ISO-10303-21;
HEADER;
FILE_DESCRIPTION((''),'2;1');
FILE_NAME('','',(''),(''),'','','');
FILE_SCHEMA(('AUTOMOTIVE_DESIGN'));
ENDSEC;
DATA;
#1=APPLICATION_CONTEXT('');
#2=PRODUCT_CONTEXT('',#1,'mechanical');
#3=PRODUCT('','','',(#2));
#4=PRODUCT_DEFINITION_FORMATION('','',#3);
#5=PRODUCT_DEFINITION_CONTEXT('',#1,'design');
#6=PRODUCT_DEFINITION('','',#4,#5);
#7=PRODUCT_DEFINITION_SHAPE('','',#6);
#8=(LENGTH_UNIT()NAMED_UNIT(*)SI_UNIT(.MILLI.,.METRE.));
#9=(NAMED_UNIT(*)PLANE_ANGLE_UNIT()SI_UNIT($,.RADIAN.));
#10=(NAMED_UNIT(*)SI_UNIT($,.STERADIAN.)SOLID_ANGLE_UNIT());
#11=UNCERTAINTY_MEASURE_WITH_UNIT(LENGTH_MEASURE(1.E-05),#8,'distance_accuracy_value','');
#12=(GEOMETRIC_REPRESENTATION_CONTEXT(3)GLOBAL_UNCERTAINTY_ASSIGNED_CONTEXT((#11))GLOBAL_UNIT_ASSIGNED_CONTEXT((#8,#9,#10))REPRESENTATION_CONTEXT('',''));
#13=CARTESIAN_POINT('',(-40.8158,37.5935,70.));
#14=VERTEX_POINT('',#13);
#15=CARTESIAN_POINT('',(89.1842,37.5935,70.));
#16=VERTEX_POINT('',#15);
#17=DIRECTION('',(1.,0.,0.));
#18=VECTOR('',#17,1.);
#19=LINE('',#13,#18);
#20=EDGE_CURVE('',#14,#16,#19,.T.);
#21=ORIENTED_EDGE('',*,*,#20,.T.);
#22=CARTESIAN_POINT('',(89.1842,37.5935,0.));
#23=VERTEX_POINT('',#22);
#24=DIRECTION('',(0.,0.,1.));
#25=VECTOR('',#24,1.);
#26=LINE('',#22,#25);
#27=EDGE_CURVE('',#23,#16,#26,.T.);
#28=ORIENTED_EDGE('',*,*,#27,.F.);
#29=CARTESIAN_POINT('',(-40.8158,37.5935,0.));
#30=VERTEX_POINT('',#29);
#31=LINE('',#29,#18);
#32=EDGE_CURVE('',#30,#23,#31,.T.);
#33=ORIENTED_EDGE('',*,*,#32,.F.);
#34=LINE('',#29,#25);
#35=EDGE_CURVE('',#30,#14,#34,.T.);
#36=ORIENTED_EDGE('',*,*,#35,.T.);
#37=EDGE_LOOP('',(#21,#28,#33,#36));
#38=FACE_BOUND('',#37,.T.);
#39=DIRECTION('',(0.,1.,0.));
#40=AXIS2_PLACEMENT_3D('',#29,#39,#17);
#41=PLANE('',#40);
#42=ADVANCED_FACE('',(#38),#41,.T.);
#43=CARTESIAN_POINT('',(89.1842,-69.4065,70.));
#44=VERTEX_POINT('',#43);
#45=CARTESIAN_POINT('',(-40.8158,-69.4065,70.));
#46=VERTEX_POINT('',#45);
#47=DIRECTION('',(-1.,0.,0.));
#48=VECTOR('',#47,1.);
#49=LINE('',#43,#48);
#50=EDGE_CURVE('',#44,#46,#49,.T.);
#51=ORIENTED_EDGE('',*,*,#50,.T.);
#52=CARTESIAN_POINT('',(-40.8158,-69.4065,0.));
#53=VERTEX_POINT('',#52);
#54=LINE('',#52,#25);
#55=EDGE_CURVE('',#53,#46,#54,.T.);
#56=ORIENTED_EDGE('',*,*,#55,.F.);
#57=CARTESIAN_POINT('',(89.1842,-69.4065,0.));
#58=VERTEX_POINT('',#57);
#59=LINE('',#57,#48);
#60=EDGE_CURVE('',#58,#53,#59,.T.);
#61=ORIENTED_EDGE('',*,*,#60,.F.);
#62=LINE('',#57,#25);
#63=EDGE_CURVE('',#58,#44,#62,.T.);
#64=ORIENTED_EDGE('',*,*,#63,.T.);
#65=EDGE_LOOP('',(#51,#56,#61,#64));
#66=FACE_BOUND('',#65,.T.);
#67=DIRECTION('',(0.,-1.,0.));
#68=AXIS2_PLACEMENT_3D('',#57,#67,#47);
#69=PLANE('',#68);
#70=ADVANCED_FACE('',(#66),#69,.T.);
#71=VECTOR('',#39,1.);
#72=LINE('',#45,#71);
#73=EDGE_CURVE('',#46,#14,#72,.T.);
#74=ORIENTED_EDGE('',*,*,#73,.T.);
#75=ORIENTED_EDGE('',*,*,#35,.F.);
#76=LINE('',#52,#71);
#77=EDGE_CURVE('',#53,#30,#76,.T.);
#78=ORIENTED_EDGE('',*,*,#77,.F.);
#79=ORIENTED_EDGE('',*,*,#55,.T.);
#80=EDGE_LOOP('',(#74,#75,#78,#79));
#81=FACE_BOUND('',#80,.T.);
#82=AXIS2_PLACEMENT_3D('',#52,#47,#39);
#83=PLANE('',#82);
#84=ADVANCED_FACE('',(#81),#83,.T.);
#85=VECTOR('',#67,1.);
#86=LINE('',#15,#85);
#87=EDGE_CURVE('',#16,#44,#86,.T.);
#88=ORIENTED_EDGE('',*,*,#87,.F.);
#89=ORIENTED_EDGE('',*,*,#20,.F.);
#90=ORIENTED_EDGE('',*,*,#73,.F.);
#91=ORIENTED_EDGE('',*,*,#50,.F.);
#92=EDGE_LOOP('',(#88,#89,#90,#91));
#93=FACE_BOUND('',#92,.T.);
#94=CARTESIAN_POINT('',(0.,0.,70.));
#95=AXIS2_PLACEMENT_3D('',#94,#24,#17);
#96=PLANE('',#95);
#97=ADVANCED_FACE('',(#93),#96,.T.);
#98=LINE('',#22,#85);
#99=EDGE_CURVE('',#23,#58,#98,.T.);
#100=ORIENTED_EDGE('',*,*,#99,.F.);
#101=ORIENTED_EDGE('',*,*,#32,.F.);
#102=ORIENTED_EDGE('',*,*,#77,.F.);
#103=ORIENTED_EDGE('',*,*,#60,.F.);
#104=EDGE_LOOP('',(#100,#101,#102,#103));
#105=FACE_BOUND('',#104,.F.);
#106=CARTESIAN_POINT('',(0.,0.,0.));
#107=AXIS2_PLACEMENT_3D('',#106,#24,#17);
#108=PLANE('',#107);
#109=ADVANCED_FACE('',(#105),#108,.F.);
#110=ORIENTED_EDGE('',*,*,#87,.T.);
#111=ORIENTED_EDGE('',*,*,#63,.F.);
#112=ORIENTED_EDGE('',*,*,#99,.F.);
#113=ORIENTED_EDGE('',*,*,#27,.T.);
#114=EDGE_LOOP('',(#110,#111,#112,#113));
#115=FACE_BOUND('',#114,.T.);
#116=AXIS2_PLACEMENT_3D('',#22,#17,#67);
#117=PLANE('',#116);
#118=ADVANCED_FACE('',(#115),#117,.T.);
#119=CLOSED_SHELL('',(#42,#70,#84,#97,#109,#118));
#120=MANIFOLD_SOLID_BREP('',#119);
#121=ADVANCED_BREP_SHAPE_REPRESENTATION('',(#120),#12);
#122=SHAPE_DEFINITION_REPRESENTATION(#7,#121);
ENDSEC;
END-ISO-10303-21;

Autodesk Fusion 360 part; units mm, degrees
sketch "스케치1" plane through (0, 0, 0) normal (0, 0, 1) x (1, 0, 0)
  line L0 (-40.8158, 37.5935) -> (89.1842, 37.5935)
  line L1 (89.1842, 37.5935) -> (89.1842, -69.4065)
  line L2 (89.1842, -69.4065) -> (-40.8158, -69.4065)
  line L3 (-40.8158, -69.4065) -> (-40.8158, 37.5935)
  dimension "d1" = 130
  dimension "d2" = 107
extrude "돌출1" add sketch "스케치1" along normal blind 70
